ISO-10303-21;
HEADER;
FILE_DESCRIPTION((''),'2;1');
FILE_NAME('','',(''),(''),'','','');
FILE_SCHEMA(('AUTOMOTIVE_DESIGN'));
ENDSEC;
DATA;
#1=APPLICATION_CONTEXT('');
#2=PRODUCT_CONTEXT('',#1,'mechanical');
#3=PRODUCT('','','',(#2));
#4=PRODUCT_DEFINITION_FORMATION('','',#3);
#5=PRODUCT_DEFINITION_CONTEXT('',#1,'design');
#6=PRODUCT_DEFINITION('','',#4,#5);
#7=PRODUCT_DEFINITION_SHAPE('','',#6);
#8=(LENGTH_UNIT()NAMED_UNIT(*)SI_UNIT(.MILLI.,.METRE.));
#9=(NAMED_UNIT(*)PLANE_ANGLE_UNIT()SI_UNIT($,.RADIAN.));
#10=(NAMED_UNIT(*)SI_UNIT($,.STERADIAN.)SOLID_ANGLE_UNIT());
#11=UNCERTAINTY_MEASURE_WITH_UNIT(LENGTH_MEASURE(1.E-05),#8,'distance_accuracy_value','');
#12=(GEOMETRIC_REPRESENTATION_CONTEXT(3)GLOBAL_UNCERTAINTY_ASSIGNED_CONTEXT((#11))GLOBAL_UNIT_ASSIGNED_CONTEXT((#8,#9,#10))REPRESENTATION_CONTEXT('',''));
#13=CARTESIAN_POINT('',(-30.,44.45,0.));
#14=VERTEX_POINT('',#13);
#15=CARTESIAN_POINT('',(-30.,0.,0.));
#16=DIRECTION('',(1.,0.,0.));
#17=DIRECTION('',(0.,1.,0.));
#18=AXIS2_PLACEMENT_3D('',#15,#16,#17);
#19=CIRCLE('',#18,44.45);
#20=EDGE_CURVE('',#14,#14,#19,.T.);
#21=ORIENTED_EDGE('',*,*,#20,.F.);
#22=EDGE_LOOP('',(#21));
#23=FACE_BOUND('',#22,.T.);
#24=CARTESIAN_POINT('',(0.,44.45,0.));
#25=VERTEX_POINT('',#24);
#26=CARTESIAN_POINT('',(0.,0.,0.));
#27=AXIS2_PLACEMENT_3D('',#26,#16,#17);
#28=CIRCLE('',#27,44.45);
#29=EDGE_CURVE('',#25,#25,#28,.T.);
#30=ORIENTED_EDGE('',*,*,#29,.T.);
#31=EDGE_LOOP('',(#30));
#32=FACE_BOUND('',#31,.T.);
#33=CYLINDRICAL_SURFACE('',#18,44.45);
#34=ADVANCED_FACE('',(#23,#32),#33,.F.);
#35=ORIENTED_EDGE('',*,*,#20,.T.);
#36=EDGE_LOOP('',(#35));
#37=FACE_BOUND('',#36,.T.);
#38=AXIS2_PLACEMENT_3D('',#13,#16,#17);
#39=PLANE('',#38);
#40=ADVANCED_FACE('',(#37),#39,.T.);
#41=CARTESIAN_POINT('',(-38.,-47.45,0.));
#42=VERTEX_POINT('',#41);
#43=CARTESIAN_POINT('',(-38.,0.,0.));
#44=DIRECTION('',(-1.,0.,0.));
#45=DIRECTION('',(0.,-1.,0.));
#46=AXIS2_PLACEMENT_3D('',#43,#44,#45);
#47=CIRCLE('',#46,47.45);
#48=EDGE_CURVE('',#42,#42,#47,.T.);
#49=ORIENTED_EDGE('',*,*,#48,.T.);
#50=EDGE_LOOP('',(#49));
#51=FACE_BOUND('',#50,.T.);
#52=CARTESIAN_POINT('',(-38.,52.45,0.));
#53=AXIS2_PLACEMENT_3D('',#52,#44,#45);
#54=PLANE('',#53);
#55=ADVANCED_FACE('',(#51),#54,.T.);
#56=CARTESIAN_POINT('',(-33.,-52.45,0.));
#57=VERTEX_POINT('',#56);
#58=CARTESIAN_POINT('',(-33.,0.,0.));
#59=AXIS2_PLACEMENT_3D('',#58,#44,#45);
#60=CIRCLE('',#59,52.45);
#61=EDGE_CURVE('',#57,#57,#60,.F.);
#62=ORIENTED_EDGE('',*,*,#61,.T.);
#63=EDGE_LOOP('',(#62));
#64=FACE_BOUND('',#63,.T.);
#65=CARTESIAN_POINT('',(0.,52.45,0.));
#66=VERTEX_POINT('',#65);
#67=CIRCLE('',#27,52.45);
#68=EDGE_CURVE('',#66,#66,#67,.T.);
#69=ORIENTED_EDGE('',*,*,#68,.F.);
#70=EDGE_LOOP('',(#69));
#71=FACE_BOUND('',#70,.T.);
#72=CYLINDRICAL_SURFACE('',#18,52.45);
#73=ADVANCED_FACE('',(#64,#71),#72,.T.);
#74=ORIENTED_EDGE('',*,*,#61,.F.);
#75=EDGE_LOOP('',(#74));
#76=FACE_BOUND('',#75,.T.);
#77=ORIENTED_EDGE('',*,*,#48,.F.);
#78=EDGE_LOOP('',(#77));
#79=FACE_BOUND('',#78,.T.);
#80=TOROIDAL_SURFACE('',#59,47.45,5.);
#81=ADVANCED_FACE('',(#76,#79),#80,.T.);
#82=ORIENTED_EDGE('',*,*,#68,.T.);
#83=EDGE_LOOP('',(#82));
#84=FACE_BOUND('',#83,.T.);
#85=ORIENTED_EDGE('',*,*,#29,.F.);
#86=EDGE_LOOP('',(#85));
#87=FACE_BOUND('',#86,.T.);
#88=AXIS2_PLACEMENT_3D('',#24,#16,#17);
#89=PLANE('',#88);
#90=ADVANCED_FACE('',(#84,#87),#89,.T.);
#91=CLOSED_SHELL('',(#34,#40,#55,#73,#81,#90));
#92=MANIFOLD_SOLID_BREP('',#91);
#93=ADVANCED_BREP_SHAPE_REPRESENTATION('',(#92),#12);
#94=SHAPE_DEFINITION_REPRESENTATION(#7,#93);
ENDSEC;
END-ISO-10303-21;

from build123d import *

# Parameters (mm, degrees)
REDONDEO1_R = 5


with BuildPart() as part:
    # Croquis2 → Revolución1 (revolve)
    with BuildSketch(Plane.XY):
        Polygon((0, 44.45), (-30, 44.45), (-30, 0), (-38, 0), (-38, 52.45), (0, 52.45), align=None)
    revolve(axis=Axis((-30, 0, 0), (-1, 0, 0)))

    # Redondeo1
    redondeo1_edges = [part.edges().sort_by_distance(p)[0] for p in [
        (-38, -52.45, 0),
    ]]
    fillet(redondeo1_edges, radius=REDONDEO1_R)


solid = part.part
